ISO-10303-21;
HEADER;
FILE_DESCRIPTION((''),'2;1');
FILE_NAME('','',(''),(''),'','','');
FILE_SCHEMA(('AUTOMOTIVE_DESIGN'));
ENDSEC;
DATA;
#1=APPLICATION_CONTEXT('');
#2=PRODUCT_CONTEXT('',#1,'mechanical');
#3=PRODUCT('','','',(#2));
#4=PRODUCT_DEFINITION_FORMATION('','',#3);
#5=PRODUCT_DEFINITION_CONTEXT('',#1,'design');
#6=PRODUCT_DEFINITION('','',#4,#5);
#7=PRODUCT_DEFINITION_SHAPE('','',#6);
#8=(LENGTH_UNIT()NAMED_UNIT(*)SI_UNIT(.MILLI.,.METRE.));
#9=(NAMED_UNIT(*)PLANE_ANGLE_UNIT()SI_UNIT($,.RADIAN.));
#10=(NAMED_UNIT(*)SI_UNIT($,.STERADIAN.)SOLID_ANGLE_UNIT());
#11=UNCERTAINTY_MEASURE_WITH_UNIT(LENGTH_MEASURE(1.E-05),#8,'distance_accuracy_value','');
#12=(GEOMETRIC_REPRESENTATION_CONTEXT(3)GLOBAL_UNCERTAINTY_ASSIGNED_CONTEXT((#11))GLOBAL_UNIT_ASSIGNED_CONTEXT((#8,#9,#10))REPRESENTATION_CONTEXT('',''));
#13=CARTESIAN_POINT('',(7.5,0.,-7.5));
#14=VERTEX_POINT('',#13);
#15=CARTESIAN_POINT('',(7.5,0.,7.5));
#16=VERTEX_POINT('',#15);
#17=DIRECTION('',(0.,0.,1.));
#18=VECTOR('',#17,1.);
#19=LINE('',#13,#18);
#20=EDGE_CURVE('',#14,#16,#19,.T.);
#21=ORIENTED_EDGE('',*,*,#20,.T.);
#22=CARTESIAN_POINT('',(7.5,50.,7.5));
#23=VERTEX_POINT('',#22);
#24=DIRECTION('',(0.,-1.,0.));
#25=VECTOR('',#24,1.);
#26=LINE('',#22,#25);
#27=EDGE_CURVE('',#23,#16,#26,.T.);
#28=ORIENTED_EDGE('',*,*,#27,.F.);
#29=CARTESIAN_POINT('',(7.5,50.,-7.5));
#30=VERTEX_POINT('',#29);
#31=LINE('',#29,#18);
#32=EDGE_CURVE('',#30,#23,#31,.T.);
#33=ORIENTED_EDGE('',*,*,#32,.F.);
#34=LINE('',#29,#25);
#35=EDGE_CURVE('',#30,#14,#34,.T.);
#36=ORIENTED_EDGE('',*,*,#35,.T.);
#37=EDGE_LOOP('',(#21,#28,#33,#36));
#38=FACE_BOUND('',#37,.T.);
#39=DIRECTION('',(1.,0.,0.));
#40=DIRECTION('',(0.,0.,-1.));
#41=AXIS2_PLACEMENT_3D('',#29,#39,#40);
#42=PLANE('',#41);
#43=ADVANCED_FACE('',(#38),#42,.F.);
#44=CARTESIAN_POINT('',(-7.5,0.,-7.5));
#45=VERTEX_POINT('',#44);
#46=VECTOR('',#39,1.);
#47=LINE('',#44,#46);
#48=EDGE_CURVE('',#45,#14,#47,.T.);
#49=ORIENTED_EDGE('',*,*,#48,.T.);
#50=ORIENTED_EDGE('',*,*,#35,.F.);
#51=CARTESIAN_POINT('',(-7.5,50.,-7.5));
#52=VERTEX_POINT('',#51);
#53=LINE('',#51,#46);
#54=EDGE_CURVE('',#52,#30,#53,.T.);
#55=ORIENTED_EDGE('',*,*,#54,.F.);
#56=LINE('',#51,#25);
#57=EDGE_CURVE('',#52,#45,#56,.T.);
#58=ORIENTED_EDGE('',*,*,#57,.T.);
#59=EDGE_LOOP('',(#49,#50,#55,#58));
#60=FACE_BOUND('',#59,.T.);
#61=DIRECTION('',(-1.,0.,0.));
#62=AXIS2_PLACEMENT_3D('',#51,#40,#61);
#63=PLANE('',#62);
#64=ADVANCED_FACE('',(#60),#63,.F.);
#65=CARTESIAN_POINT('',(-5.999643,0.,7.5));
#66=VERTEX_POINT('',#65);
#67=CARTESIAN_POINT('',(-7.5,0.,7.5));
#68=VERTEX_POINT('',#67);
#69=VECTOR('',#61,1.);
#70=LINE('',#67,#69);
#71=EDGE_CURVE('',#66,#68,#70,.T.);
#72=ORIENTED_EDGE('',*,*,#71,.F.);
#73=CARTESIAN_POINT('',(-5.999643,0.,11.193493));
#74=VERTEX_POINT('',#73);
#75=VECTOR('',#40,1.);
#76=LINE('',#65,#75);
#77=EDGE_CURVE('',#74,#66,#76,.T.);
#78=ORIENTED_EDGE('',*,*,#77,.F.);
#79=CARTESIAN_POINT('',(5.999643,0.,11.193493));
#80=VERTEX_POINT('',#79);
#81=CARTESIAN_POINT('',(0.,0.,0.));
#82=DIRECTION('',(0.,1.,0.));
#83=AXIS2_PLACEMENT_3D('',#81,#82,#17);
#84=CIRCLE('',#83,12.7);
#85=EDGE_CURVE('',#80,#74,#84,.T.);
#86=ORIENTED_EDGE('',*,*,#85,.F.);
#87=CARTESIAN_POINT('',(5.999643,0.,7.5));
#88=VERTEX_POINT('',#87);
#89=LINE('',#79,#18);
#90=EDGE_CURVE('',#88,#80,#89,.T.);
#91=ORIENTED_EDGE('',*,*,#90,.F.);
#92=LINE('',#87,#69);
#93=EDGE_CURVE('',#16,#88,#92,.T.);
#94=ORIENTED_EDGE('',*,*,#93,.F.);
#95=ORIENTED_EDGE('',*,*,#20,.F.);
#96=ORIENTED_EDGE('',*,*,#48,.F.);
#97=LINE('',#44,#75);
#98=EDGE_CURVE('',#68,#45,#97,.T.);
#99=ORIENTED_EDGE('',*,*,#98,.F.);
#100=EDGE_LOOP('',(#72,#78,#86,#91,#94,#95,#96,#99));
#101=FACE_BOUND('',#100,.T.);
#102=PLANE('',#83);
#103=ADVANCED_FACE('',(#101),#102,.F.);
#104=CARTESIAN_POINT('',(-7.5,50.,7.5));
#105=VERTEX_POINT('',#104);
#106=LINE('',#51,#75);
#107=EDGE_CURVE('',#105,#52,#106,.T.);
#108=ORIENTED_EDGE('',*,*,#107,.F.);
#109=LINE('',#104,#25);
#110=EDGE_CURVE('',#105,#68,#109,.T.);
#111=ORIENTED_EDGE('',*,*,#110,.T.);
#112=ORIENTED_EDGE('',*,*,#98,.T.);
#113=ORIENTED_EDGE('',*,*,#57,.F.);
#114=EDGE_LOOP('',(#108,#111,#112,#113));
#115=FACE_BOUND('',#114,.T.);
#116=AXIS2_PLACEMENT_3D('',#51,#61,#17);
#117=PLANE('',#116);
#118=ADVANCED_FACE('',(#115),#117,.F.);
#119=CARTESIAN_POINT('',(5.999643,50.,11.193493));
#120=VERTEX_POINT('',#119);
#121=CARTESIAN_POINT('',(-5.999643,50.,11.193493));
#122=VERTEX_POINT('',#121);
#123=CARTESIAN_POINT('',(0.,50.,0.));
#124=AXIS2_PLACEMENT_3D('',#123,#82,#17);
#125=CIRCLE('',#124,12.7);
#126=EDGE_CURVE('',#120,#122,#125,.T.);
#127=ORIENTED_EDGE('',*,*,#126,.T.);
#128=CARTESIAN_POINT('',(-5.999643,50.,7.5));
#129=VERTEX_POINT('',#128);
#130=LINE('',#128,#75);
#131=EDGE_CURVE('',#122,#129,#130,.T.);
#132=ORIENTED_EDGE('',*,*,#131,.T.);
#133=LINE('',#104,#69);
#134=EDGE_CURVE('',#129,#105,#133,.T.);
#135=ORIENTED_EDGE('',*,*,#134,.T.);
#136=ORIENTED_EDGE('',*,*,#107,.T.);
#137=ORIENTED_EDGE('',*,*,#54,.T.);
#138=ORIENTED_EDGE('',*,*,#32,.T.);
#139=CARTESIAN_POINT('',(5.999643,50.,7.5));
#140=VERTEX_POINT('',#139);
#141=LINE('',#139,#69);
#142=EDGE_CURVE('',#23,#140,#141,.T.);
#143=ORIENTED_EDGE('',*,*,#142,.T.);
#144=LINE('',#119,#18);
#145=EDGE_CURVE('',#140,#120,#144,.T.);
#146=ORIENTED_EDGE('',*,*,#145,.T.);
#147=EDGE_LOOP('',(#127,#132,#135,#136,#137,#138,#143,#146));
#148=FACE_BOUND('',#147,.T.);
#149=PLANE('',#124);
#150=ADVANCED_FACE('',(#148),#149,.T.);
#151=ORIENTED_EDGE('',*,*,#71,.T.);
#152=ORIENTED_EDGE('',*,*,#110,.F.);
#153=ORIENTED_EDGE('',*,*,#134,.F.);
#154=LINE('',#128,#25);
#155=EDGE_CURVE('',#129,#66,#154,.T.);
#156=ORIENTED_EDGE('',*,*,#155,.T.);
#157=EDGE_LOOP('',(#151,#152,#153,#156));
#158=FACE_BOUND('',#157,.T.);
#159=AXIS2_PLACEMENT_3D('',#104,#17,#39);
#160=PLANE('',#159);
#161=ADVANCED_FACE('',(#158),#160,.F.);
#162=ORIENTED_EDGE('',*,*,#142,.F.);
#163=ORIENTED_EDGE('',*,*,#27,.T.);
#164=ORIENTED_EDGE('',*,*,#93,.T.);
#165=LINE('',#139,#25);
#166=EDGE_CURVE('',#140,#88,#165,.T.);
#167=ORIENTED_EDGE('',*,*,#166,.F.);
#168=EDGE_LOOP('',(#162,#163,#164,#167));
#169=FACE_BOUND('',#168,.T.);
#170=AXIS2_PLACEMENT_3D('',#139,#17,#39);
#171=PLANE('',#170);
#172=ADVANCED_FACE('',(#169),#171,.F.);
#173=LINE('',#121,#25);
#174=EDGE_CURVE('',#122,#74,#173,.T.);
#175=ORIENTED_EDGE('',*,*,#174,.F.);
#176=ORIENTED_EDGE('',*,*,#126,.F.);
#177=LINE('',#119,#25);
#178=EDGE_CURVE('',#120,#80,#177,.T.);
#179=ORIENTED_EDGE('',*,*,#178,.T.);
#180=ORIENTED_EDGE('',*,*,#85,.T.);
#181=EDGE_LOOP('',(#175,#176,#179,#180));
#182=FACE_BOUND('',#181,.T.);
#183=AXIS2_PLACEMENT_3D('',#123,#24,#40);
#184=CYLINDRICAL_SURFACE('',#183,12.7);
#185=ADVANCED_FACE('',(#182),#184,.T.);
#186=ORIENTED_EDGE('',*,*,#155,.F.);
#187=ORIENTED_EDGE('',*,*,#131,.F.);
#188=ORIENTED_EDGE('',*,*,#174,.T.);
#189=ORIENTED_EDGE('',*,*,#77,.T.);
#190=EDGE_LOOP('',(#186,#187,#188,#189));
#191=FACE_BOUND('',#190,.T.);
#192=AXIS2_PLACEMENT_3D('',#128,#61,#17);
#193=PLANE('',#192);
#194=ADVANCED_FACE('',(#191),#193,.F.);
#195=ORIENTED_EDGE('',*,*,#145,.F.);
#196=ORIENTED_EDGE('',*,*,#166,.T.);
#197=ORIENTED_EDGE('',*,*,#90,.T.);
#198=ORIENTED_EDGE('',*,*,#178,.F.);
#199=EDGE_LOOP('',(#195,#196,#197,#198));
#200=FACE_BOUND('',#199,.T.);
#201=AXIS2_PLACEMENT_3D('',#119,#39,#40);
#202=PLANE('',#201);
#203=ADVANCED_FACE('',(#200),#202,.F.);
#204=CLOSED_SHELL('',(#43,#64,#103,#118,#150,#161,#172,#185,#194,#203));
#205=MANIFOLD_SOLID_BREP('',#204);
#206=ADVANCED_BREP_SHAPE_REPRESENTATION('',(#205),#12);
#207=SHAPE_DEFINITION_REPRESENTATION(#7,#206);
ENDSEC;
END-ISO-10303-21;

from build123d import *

# Parameters (mm, degrees)
BOSS_EXTRUDE2_DEPTH = 50


with BuildPart() as part:
    # Sketch1 → Boss-Extrude2 (new body)
    with BuildSketch(Plane(origin=(0, 0, 0), x_dir=(1, 0, 0), z_dir=(0, 1, 0))):
        with BuildLine():
            Line((5.999643171, -7.5), (7.5, -7.5))
            Line((7.5, -7.5), (7.5, 7.5))
            Line((7.5, 7.5), (-7.5, 7.5))
            Line((-7.5, 7.5), (-7.5, -7.5))
            Line((-7.5, -7.5), (-5.999643171, -7.5))
            Line((-5.999643171, -7.5), (-5.999643171, -11.193492834))
            ThreePointArc((-5.999643171, -11.193492834), (0, 12.7), (5.999643171, -11.193492834))
            Line((5.999643171, -11.193492834), (5.999643171, -7.5))
        make_face()
    extrude(amount=BOSS_EXTRUDE2_DEPTH)


solid = part.part
